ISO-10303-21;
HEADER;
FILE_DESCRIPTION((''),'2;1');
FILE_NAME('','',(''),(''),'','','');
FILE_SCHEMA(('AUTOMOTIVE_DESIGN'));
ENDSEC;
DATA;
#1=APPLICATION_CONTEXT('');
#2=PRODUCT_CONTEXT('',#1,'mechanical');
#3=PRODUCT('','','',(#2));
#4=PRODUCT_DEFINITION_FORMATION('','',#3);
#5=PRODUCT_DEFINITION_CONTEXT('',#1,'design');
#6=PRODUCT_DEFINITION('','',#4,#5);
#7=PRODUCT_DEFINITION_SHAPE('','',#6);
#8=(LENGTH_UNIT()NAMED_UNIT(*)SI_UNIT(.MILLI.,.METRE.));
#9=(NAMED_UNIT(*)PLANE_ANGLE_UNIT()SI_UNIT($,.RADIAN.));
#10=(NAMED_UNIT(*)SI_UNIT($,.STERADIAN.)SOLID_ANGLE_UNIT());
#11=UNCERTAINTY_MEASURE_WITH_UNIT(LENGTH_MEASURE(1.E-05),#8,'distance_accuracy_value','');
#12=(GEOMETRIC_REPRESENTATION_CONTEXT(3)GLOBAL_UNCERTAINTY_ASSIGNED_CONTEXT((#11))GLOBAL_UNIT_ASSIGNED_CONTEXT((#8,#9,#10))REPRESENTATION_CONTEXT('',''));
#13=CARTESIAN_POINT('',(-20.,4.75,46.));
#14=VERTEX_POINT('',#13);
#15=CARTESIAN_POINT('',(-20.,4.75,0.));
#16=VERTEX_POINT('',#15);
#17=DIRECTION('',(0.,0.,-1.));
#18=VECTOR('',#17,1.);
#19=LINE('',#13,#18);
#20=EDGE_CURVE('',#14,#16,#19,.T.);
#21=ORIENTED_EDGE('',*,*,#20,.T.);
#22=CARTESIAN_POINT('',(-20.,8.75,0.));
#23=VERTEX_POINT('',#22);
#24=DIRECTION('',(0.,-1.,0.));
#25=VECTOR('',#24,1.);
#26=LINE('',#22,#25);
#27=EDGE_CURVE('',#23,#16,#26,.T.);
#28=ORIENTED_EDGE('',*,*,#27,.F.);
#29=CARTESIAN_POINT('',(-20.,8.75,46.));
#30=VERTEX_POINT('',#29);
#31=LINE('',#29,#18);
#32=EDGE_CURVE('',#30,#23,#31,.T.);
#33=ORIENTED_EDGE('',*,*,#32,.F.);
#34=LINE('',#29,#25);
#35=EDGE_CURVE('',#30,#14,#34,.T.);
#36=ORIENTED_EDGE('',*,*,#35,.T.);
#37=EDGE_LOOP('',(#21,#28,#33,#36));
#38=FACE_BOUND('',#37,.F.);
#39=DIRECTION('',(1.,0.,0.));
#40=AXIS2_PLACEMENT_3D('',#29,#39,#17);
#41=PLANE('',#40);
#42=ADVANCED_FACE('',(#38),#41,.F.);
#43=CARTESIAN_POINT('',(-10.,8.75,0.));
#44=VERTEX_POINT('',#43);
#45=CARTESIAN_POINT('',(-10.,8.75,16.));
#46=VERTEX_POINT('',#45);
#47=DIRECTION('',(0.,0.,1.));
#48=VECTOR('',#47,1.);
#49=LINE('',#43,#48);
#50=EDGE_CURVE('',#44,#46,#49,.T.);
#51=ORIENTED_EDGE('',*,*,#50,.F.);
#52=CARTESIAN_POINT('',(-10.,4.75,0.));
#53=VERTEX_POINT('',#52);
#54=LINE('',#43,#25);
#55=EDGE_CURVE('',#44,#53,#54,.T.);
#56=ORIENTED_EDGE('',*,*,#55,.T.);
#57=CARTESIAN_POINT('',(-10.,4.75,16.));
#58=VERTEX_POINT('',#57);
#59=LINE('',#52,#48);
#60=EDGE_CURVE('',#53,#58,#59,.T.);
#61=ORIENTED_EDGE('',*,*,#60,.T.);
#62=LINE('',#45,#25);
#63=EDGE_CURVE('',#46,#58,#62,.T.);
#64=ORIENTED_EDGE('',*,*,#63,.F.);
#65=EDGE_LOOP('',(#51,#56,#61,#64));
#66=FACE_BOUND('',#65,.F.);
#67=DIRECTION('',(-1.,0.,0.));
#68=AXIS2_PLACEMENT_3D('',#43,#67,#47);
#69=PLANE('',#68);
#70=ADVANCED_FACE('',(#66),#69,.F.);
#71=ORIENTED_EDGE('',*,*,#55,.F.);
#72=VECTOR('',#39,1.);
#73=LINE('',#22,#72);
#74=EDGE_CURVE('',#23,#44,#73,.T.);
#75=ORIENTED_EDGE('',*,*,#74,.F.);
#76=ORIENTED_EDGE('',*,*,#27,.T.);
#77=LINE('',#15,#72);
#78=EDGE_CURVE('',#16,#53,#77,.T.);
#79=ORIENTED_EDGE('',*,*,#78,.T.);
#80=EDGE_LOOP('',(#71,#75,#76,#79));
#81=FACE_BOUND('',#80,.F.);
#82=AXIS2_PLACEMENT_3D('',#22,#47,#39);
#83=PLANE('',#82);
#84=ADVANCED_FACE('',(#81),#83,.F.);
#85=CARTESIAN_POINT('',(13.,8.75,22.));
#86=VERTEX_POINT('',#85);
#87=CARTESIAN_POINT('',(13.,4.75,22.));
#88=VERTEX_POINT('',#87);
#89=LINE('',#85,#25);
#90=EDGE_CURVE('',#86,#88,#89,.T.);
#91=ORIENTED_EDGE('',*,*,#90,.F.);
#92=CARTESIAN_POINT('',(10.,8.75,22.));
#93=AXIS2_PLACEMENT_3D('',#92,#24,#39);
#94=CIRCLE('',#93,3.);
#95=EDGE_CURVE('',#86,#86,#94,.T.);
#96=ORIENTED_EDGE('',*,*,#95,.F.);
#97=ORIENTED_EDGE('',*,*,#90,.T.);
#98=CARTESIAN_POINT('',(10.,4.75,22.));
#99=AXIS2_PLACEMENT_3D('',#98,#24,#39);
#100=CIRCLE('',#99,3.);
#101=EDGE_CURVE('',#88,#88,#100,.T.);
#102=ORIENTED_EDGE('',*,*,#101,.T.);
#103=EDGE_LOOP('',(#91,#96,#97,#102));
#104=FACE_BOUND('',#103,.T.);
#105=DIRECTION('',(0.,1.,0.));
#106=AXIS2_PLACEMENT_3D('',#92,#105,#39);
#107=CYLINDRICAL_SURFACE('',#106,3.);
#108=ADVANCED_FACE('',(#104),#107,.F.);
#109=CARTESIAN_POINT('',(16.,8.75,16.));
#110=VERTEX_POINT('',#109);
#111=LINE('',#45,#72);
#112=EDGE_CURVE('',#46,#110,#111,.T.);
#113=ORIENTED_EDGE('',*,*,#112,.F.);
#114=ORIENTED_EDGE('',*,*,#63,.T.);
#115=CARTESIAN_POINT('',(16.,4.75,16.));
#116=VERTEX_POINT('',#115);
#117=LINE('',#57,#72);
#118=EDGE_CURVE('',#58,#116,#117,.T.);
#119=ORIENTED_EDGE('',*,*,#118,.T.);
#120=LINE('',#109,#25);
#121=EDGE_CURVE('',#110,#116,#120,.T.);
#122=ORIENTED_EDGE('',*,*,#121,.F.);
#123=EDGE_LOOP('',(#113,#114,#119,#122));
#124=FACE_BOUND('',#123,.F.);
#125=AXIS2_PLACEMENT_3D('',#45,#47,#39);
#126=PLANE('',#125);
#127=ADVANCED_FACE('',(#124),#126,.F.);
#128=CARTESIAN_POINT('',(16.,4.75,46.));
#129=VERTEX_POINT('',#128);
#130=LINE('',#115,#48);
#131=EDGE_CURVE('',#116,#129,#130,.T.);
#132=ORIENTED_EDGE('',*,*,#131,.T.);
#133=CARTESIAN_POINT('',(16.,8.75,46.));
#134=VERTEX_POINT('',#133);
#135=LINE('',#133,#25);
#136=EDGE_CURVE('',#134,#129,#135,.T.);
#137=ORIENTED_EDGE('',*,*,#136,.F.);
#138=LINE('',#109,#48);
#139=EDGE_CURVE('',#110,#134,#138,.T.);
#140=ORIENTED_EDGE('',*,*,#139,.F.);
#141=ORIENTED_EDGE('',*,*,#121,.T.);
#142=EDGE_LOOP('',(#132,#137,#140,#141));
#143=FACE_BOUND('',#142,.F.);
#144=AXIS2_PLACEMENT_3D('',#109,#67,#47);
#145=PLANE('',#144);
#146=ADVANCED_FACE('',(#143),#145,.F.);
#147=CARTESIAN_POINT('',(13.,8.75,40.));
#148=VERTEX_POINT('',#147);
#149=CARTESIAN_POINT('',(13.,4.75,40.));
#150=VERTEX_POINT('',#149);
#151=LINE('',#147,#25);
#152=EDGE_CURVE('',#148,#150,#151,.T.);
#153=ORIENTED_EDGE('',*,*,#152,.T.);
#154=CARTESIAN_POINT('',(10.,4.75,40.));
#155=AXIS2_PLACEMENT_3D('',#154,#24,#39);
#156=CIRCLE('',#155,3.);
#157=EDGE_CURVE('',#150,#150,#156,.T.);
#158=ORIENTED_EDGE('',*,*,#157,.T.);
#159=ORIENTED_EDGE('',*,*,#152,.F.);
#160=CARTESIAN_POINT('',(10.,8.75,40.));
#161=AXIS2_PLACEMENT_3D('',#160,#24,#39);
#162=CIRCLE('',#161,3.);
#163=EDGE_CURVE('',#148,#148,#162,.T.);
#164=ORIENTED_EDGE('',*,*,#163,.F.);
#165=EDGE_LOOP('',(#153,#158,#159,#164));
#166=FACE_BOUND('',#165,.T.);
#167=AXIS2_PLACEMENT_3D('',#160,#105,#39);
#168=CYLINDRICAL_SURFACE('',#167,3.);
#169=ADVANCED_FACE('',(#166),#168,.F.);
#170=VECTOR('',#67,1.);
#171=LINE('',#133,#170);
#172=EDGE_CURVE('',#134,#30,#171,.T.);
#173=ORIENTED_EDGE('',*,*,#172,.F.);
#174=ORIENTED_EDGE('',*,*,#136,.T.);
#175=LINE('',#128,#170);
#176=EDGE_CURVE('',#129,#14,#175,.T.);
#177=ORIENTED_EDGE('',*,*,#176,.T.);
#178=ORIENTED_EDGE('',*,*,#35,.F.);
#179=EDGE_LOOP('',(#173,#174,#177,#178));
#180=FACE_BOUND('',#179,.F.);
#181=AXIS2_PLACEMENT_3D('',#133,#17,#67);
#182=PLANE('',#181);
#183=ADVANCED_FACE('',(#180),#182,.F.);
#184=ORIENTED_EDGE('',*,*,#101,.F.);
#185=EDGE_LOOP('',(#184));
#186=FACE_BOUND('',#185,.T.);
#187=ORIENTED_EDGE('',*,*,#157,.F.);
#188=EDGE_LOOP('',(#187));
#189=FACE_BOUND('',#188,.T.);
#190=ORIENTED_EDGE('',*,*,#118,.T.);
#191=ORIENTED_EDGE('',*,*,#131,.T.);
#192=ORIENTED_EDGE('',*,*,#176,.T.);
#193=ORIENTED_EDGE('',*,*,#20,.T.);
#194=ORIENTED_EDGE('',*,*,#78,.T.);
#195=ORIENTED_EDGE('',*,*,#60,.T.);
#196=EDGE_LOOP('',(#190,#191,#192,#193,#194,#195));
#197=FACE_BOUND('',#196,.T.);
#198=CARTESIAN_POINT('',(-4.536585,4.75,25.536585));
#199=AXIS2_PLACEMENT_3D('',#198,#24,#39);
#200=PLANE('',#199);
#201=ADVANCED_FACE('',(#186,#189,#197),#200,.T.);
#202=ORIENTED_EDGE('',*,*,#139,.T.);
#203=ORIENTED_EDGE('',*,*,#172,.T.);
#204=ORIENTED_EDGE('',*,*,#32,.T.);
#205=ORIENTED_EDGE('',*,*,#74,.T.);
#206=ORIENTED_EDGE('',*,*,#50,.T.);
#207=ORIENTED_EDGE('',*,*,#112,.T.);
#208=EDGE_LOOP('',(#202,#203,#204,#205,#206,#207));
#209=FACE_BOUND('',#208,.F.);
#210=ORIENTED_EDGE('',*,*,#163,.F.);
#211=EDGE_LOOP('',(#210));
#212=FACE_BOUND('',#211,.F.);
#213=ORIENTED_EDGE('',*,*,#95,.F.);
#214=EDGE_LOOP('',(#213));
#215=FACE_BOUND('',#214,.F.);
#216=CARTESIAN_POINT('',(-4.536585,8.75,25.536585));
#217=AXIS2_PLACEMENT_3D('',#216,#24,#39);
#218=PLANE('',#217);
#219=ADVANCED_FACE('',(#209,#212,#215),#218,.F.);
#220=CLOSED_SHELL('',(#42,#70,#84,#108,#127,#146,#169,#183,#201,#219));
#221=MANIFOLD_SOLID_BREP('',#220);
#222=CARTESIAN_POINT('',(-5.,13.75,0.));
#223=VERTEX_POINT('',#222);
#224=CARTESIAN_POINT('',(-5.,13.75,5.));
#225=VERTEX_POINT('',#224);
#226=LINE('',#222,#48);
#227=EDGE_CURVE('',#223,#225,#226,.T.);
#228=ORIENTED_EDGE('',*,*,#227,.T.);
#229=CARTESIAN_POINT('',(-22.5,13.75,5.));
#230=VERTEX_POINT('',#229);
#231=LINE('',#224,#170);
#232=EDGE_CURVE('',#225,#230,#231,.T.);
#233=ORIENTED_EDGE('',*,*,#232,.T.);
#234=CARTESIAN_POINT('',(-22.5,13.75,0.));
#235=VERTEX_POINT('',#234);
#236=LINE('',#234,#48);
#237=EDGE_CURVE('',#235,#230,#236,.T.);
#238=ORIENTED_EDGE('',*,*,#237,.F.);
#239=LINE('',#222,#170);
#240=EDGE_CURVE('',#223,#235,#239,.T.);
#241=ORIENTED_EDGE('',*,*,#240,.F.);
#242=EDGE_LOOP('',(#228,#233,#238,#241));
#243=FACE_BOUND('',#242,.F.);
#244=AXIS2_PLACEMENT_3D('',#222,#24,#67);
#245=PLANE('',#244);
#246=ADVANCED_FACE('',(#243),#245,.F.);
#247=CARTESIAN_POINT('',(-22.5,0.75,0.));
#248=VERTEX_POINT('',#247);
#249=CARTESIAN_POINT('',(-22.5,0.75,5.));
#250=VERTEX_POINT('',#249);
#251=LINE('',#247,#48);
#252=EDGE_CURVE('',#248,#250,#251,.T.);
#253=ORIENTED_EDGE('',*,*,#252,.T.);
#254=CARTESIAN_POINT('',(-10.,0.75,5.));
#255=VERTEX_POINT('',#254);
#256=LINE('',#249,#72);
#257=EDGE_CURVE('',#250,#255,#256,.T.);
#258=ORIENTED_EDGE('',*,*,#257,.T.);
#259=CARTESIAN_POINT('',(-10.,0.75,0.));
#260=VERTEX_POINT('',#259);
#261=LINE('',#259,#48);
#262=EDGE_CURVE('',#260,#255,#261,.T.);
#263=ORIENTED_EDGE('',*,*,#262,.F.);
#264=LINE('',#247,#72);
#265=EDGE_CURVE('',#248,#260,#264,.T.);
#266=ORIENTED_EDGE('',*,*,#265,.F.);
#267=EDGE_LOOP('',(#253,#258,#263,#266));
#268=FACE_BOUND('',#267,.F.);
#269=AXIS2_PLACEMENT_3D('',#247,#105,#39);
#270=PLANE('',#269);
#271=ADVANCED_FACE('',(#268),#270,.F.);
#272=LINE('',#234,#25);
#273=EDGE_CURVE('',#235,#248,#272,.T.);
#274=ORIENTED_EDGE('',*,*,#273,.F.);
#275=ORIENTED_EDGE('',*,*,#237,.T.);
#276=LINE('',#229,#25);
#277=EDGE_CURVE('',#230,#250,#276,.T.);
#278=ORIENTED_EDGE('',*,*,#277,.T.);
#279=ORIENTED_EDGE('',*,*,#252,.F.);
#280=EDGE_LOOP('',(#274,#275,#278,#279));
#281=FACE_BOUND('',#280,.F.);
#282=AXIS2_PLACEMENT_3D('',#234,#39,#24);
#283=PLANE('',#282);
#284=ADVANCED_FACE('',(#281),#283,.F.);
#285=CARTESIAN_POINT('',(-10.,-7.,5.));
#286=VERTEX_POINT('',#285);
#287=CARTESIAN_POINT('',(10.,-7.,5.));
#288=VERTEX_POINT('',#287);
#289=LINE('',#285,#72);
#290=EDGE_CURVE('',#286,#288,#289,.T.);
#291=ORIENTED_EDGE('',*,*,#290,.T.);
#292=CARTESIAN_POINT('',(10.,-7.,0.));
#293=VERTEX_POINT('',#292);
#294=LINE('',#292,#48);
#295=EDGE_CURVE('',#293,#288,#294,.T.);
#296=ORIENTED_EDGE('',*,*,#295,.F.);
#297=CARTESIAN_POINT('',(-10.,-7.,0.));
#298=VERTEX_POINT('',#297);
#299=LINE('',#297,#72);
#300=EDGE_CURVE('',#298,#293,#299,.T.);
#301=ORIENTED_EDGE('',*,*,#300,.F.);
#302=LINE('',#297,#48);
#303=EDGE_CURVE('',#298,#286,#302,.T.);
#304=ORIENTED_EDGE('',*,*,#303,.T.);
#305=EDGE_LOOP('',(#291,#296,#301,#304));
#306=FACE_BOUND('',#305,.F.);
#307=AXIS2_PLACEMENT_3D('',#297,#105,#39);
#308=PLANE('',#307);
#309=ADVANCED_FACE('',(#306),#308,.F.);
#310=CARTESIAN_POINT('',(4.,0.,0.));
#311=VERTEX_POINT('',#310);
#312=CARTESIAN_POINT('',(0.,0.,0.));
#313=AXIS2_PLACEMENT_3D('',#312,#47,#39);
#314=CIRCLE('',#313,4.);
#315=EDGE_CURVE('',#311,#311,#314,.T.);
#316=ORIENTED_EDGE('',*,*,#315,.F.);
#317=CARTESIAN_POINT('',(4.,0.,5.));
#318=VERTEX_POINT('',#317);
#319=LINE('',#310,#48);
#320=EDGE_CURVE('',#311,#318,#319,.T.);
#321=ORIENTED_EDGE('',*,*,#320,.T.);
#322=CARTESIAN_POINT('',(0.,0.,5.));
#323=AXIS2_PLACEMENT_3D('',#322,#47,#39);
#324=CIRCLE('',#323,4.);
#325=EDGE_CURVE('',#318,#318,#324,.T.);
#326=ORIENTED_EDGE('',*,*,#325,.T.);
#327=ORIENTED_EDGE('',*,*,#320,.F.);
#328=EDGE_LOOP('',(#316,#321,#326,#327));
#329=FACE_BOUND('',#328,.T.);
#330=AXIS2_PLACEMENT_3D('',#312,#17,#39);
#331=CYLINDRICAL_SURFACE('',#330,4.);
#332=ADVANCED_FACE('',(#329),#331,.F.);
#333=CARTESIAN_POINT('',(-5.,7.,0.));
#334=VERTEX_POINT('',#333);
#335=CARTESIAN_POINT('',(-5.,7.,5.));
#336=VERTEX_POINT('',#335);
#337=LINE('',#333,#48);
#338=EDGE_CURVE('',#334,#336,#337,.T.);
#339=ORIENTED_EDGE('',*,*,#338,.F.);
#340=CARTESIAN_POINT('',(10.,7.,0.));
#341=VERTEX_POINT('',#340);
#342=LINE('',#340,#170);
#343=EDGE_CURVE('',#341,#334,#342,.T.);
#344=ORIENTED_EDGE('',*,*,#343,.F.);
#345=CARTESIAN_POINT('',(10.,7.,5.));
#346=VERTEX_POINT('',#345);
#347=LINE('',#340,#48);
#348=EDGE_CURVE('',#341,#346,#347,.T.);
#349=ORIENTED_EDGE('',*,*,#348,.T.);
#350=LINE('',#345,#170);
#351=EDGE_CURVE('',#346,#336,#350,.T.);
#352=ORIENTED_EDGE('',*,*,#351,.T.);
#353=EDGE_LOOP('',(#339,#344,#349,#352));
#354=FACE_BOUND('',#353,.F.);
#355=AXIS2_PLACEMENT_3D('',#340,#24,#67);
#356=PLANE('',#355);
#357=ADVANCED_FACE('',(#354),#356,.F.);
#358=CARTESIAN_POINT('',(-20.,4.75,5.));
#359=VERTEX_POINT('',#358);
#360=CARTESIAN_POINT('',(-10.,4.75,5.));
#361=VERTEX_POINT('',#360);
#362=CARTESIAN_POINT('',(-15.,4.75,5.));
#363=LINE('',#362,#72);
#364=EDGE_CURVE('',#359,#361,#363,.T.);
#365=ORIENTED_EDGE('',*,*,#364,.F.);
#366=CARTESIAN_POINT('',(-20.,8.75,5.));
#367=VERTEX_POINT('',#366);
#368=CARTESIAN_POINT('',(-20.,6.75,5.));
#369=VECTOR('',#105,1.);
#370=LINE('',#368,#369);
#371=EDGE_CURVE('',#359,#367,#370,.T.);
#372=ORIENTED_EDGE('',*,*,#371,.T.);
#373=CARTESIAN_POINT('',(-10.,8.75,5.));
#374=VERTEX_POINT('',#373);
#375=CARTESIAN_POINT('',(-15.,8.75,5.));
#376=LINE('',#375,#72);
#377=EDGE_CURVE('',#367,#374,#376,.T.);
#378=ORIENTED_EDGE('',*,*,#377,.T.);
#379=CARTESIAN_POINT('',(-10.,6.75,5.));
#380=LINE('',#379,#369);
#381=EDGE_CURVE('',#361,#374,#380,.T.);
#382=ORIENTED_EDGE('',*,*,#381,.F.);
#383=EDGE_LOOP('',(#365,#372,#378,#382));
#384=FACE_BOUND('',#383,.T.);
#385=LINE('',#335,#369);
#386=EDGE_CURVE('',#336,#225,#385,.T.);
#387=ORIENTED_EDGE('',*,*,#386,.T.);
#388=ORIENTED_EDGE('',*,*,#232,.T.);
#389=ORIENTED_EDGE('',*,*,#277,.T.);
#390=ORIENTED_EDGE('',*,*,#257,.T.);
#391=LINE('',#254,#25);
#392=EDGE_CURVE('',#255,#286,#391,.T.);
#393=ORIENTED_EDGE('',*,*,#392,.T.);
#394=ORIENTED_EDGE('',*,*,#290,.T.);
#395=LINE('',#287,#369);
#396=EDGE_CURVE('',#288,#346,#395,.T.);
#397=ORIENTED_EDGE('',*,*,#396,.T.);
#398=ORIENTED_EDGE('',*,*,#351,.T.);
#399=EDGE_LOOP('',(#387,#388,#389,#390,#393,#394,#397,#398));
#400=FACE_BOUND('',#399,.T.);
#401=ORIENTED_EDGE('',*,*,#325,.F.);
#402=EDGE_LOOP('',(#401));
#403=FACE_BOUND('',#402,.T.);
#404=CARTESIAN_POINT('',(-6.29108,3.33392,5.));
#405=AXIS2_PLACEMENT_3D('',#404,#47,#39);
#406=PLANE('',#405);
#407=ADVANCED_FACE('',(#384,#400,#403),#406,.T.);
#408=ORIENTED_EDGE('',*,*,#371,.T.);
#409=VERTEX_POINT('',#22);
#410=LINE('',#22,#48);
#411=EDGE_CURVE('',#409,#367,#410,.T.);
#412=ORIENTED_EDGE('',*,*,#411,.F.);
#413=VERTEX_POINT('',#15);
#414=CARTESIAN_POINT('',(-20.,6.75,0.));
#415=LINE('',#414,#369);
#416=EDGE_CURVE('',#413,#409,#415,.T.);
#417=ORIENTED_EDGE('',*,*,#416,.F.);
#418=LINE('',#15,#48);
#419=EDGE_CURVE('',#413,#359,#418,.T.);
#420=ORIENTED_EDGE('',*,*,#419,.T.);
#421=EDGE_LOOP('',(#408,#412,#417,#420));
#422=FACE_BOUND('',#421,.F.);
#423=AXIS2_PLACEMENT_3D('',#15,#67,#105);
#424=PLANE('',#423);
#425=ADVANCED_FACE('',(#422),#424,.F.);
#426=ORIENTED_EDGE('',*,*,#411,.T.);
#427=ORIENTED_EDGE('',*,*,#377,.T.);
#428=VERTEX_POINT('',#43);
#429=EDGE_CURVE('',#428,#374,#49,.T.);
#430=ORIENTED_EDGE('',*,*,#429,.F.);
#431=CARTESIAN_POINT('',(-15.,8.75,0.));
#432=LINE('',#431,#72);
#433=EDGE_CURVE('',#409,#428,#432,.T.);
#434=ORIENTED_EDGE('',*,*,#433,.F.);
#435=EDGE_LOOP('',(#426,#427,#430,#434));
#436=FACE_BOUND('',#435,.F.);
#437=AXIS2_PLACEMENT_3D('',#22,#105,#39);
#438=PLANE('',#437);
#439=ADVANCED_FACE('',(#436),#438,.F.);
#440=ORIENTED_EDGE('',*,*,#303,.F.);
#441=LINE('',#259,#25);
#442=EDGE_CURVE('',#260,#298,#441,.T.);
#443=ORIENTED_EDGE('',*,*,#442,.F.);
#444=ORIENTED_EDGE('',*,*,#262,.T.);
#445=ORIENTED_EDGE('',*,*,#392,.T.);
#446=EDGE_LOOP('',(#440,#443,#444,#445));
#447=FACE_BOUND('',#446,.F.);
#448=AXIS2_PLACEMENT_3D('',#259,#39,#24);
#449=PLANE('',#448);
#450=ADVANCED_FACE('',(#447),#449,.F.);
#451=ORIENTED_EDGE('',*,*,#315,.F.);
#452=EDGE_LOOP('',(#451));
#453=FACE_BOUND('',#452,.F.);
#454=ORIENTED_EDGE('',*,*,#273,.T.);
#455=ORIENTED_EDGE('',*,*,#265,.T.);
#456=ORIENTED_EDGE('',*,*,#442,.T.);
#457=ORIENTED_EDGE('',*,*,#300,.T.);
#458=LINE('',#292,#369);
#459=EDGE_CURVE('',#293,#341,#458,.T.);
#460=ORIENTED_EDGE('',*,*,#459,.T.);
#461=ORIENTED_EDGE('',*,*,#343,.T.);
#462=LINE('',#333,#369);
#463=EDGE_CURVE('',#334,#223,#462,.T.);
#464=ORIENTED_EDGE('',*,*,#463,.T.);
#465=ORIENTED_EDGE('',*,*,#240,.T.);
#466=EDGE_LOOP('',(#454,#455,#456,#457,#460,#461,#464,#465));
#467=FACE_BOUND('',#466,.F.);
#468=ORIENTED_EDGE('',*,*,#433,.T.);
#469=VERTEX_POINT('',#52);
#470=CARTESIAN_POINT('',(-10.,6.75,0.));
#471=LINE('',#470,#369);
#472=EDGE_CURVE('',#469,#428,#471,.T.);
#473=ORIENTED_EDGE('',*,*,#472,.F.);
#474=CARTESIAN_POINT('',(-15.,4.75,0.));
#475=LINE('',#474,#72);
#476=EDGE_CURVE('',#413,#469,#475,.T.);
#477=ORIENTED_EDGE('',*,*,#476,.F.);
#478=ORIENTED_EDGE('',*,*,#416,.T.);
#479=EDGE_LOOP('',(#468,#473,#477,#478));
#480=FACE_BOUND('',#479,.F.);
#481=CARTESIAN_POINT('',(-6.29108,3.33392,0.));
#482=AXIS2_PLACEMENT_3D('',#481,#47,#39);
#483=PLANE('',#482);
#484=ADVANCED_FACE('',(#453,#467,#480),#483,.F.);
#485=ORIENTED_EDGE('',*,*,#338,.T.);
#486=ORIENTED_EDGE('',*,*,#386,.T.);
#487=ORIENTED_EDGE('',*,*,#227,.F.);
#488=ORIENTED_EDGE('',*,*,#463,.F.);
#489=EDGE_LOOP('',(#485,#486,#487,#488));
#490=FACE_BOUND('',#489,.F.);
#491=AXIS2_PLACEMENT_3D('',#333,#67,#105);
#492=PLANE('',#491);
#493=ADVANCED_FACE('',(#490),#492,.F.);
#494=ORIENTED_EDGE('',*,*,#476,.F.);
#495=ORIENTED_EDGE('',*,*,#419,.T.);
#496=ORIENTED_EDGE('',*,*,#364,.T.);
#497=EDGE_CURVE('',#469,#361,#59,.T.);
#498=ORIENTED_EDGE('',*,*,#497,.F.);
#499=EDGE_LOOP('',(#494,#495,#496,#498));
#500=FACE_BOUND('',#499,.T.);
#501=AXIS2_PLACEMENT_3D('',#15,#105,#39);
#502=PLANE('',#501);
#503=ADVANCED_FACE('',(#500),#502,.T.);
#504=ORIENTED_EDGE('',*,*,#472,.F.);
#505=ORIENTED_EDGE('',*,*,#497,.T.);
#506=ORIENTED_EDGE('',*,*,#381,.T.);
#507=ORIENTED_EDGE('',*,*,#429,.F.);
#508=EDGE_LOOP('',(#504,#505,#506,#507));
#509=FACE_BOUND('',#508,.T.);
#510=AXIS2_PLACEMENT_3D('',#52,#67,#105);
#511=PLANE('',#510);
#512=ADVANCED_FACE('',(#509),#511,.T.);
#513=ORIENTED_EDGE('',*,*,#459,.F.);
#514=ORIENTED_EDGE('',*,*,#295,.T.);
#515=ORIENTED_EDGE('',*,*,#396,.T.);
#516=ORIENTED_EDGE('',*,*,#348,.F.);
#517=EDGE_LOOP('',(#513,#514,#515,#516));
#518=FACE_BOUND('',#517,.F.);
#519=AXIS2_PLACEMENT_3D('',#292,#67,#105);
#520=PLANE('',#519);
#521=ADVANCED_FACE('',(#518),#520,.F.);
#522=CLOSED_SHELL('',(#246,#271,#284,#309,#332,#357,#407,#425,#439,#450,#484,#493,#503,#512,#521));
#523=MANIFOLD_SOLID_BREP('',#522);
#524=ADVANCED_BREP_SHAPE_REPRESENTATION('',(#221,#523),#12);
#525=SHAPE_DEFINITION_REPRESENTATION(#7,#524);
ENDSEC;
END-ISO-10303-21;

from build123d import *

# Parameters (mm, degrees)
F0_R     = 4
F0_W     = 10
F0_H     = 4
F1_DEPTH = 5
F2_R     = 3
F3_DEPTH = 4


with BuildPart() as f1:
    # F0 (on Top) → F1 (new body)
    with BuildSketch(Plane.XY):
        Polygon((10, 7), (-5, 7), (-5, 13.75), (-22.5, 13.75), (-22.5, 0.75), (-10, 0.75), (-10, -7), (10, -7), align=None)
        Circle(F0_R, mode=Mode.SUBTRACT)
        with Locations((-15, 6.75)):
            Rectangle(F0_W, F0_H, mode=Mode.SUBTRACT)
    extrude(amount=F1_DEPTH)


with BuildPart() as f3:
    # F2 (on face) → F3 (new body)
    with BuildSketch(Plane.XZ.offset(-8.75)):
        Polygon((-20, 16), (-20, 0), (-10, 0), (-10, 16), (16, 16), (16, 46), (-10, 46), (-20, 46), align=None)
        with Locations((10, 22)):
            Circle(F2_R, mode=Mode.SUBTRACT)
        with Locations((10, 40)):
            Circle(F2_R, mode=Mode.SUBTRACT)
    extrude(amount=F3_DEPTH)


solid = Compound([f1.part, f3.part])
